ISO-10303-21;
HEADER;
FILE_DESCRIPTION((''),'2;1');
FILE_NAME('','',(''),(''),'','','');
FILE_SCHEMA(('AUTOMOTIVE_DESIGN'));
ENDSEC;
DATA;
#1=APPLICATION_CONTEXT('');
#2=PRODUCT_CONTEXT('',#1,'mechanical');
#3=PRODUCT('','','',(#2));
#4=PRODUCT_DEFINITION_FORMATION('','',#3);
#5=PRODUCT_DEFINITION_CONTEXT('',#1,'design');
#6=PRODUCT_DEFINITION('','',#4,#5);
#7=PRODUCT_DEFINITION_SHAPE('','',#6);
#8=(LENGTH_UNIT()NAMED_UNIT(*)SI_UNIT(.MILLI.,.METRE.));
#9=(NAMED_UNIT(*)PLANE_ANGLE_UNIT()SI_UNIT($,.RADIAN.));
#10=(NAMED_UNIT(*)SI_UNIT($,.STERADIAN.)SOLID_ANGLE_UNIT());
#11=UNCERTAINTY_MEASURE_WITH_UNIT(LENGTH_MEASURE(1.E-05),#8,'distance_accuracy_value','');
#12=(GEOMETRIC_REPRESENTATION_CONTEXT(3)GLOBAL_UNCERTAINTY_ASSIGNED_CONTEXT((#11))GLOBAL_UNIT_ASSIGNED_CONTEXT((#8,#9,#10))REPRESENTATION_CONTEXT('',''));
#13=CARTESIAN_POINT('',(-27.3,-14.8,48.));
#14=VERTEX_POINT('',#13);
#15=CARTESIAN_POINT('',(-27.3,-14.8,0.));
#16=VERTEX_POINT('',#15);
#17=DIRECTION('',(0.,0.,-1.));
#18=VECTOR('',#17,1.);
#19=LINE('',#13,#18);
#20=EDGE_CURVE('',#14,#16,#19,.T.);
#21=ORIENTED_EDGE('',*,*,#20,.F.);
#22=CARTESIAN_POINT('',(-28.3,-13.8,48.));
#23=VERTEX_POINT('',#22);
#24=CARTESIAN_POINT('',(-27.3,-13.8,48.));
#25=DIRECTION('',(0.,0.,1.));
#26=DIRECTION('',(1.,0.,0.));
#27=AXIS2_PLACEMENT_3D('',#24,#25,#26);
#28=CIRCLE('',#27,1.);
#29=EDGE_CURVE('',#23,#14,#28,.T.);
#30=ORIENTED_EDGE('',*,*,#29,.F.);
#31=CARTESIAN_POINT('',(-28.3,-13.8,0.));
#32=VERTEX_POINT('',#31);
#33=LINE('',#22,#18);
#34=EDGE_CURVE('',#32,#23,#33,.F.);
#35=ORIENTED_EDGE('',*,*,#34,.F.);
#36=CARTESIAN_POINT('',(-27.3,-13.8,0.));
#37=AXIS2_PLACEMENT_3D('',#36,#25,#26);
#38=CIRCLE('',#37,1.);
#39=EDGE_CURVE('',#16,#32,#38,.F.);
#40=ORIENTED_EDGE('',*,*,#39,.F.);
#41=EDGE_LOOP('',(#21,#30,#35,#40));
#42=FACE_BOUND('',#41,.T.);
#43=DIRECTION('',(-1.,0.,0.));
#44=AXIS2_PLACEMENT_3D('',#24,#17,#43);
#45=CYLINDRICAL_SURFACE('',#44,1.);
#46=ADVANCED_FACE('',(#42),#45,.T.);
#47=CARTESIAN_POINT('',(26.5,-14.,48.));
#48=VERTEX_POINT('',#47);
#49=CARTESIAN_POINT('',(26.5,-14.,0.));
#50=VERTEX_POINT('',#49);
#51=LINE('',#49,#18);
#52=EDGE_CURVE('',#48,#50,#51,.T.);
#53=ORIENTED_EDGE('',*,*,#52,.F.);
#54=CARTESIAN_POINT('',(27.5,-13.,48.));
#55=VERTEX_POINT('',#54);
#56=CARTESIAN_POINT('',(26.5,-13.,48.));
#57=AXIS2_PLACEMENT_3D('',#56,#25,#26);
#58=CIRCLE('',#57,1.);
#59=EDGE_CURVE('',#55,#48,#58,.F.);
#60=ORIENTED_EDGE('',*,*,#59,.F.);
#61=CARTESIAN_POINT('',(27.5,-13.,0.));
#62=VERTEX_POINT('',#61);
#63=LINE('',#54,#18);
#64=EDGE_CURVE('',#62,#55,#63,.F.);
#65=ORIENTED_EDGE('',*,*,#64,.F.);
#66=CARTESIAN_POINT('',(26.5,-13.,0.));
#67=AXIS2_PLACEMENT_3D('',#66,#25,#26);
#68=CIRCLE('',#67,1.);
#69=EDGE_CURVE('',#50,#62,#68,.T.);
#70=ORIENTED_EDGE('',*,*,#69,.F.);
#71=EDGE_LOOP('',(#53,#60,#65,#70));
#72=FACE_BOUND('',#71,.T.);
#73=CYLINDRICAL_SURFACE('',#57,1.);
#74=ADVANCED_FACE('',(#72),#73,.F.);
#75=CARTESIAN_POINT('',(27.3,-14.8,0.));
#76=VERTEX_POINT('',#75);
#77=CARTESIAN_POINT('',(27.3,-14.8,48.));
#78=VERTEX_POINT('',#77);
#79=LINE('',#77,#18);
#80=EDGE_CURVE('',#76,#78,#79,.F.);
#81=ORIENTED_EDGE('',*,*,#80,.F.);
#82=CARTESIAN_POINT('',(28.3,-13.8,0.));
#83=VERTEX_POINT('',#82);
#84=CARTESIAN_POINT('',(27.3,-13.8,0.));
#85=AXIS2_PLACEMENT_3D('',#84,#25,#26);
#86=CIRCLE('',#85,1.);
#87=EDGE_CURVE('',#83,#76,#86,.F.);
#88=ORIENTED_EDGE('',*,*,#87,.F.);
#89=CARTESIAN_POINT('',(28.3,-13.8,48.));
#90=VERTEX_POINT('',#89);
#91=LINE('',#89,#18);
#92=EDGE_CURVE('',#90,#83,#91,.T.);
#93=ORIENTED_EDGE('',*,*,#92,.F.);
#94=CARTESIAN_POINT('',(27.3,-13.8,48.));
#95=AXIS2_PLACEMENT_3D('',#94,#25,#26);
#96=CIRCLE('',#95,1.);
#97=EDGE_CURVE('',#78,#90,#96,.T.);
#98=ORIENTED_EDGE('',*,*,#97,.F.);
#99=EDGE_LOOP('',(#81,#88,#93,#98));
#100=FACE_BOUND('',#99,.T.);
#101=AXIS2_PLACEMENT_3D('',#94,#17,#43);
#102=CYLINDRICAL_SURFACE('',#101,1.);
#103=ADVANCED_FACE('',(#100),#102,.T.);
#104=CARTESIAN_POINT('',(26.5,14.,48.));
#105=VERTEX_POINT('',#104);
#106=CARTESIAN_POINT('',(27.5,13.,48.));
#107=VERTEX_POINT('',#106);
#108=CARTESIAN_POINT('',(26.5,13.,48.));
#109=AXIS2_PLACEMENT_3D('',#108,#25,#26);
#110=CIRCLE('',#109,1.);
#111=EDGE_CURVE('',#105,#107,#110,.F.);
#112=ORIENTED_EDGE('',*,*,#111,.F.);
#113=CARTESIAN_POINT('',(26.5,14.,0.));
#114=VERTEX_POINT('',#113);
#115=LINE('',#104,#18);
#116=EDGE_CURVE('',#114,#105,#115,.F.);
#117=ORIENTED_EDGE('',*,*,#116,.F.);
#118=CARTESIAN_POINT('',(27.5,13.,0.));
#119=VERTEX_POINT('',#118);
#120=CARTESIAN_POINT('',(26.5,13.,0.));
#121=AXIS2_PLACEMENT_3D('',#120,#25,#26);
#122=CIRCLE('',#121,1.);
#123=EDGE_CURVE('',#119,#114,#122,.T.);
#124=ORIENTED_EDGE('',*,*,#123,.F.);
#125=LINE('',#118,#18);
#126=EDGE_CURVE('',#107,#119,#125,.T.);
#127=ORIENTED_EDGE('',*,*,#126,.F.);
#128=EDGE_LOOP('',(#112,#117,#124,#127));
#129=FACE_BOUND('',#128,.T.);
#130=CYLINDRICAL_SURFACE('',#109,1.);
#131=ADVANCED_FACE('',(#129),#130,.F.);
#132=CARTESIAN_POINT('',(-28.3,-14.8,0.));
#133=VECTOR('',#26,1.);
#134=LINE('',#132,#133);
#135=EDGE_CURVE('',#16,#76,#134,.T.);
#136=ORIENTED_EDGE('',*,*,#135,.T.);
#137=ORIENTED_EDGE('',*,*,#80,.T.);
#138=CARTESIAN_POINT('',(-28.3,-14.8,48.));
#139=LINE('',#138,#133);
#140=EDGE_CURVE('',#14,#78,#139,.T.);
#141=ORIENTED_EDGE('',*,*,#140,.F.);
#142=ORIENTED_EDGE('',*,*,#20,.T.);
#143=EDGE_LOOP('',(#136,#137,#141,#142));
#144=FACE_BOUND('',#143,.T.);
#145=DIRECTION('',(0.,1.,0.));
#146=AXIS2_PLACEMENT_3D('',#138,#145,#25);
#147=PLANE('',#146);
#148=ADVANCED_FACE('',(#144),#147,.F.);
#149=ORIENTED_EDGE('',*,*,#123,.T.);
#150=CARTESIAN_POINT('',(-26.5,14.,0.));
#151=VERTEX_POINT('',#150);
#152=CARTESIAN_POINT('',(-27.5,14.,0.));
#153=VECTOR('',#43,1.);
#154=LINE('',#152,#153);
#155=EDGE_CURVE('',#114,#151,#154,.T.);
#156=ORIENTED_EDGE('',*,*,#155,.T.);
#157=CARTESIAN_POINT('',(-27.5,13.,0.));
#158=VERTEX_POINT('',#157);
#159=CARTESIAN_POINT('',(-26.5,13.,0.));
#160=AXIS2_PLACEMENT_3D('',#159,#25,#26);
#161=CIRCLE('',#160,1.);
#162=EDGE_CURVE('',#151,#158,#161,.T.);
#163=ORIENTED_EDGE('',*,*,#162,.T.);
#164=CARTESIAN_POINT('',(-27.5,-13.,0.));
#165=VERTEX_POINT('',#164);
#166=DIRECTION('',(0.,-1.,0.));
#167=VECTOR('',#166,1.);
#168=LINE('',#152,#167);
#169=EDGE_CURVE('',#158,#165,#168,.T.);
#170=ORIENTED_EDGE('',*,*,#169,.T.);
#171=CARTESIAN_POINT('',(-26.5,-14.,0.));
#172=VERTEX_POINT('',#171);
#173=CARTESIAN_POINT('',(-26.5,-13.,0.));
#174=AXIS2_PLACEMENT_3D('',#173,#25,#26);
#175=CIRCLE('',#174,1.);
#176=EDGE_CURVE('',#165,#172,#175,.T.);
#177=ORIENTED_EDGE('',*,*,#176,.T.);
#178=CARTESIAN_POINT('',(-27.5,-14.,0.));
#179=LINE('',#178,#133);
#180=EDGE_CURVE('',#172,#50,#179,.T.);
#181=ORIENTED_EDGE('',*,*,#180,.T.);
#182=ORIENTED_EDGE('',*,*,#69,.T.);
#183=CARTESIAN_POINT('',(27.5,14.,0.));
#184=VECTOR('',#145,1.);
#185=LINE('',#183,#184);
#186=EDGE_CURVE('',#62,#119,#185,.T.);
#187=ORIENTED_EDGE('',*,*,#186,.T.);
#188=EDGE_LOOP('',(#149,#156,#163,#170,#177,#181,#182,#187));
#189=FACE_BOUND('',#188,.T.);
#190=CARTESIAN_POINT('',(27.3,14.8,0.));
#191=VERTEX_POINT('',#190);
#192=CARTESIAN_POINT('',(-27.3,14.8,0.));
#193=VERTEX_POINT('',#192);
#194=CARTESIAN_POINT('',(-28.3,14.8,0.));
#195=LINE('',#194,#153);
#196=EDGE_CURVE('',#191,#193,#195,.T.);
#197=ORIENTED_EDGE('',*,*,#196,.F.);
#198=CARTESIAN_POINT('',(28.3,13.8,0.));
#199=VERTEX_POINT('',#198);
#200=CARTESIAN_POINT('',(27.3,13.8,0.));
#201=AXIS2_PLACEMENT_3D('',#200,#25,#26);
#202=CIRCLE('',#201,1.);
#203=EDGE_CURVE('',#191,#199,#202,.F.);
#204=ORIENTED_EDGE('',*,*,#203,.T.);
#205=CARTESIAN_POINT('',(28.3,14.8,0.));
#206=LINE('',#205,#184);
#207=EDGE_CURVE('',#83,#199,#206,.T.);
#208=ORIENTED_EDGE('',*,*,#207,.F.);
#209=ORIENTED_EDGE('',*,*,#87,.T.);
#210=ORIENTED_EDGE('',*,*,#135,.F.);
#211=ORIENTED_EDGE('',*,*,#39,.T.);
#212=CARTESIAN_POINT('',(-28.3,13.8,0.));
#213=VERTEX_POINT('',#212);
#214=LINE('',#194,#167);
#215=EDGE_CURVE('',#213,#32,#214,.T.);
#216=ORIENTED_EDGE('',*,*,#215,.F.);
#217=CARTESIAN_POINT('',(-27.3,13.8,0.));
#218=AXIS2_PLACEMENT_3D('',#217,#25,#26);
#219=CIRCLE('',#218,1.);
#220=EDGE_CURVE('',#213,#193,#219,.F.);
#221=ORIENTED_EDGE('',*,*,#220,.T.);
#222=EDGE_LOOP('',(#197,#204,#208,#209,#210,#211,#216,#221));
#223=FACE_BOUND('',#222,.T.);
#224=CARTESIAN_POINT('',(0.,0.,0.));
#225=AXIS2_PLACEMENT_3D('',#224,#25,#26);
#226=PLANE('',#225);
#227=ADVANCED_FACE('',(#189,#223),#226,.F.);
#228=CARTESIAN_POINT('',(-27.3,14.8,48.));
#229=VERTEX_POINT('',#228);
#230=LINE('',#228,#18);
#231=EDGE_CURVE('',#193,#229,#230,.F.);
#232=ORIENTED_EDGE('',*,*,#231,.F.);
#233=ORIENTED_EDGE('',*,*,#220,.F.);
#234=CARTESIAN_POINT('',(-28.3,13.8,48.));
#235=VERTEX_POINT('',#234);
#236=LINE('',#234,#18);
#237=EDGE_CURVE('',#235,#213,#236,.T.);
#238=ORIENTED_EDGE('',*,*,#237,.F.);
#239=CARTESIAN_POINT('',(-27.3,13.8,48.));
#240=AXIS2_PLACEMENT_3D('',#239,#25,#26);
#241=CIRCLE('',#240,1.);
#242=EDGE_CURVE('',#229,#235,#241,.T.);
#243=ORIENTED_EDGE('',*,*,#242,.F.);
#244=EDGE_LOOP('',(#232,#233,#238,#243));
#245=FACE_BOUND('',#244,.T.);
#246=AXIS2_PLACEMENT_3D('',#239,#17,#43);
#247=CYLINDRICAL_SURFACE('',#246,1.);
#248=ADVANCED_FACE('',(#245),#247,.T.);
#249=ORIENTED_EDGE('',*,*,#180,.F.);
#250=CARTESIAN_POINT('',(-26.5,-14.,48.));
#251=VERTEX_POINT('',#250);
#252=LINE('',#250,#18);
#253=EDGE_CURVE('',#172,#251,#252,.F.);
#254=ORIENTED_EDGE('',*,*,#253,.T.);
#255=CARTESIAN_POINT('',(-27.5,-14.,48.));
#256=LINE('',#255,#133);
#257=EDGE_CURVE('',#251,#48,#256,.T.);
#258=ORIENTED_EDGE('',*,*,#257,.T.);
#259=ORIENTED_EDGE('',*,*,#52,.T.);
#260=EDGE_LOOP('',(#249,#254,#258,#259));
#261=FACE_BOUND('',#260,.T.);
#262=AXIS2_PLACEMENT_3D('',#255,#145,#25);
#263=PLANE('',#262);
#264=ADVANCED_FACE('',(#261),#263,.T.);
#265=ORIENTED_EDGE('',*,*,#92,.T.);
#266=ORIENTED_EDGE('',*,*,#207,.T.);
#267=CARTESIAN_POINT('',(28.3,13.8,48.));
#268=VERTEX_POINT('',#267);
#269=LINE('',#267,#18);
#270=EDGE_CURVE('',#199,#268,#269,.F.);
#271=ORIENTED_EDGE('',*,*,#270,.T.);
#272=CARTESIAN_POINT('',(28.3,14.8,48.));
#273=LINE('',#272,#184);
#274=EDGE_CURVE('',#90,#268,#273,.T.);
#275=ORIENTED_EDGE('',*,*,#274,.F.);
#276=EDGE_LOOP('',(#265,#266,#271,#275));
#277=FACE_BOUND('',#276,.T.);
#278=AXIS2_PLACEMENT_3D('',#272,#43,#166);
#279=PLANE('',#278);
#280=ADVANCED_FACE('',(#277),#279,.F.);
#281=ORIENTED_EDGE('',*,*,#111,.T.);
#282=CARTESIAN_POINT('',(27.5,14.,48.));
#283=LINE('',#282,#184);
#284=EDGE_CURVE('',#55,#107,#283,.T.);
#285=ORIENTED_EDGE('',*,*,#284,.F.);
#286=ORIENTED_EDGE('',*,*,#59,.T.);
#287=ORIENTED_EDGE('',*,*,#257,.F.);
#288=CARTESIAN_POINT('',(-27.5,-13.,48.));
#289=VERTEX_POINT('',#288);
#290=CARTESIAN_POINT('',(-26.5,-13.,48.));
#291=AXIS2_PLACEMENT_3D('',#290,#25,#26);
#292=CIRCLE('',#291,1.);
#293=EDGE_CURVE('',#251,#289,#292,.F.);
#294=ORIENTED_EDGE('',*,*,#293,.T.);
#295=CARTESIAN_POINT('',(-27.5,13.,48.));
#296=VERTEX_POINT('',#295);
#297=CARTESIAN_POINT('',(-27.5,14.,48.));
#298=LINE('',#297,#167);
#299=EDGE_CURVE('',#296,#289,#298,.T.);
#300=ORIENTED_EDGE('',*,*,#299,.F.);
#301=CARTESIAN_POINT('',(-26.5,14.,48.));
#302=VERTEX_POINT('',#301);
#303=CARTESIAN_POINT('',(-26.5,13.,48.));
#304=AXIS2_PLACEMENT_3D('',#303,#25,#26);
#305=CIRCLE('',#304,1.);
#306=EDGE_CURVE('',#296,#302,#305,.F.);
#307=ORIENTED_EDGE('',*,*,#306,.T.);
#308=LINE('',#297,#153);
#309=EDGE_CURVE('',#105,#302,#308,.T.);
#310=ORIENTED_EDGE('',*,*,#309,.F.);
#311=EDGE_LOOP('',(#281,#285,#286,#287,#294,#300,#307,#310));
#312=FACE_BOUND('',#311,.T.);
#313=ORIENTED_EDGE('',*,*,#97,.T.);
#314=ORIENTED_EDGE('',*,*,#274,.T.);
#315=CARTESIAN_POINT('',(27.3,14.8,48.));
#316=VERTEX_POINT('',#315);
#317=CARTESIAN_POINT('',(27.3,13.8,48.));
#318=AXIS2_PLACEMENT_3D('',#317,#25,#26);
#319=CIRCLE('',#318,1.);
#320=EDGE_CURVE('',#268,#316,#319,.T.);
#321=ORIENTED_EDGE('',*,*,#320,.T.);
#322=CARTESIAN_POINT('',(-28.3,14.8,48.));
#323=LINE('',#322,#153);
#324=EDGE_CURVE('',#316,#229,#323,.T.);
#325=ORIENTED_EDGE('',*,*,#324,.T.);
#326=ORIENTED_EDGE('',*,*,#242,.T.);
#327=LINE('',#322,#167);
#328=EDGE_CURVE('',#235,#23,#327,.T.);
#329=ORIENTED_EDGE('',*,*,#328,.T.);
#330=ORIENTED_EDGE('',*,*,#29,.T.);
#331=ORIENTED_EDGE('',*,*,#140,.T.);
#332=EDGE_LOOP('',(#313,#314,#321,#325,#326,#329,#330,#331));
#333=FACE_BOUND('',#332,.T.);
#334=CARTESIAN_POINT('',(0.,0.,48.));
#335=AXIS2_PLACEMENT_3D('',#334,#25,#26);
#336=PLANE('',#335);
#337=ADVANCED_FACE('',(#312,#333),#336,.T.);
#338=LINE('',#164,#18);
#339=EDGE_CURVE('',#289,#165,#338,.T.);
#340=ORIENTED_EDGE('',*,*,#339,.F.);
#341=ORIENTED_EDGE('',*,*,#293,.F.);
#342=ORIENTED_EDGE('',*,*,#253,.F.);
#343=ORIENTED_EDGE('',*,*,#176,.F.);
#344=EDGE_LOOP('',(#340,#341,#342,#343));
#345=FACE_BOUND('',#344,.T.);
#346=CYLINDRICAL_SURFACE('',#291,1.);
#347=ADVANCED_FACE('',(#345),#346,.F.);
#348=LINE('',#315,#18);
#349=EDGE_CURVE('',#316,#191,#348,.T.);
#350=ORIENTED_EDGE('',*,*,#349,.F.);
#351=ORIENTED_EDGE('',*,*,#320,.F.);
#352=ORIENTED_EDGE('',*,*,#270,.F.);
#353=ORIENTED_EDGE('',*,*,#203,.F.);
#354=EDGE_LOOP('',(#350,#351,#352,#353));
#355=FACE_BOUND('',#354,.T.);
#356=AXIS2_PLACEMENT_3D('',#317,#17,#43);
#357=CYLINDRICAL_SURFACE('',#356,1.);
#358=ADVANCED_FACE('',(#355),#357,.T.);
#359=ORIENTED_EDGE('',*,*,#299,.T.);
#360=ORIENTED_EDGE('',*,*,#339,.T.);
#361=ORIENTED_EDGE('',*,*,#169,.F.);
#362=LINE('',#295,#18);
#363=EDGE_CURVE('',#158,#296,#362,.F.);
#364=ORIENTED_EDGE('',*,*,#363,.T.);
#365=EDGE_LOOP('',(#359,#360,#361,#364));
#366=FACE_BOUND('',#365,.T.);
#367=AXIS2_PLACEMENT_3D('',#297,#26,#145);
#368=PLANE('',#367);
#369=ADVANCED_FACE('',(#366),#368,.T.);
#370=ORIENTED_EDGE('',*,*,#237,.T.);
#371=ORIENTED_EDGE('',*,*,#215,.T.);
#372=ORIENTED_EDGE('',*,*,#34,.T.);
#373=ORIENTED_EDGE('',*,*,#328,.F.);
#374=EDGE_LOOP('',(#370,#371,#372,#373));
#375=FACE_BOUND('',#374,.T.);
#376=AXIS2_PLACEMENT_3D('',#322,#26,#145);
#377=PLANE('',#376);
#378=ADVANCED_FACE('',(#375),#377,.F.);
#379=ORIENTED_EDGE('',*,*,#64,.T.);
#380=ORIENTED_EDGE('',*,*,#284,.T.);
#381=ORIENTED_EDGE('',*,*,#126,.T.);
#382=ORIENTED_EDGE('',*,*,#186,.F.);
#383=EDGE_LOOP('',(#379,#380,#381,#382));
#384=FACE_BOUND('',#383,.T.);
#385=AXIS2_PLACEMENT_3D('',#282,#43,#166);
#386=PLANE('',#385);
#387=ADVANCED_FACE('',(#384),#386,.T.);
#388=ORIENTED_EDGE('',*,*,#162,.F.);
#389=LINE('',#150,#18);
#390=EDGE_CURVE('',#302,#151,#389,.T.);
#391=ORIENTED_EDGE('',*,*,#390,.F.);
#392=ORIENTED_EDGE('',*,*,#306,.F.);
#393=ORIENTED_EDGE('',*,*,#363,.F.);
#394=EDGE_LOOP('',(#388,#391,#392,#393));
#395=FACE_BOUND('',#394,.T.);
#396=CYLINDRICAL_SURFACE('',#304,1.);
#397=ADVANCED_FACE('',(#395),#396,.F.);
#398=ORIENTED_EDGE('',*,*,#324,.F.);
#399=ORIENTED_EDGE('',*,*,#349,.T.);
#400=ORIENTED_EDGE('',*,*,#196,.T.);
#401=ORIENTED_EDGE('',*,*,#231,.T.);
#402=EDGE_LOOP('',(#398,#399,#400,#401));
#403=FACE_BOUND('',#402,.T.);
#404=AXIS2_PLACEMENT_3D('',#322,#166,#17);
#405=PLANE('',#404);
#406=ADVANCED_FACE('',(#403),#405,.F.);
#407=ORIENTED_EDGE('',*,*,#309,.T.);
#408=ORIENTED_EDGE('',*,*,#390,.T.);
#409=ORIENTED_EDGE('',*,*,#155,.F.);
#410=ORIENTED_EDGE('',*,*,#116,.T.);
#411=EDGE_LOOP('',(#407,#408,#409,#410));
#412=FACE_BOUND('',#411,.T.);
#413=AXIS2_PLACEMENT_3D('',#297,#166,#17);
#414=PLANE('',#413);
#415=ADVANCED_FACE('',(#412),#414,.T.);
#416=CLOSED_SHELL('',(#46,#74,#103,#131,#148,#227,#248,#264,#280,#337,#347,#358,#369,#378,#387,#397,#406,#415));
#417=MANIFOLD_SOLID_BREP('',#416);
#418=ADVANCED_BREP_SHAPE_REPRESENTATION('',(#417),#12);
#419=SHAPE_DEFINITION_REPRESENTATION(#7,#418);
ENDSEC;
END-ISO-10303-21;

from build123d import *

# Parameters (mm, degrees)
ESQUISSE1_W        = 56.6
ESQUISSE1_H        = 29.6
ESQUISSE1_W_2      = 55
ESQUISSE1_H_2      = 28
BOSS_EXTRU_1_DEPTH = 48
CONG_1_R           = 1


with BuildPart() as part:
    # Esquisse1 → Boss.-Extru.1 (new body)
    with BuildSketch(Plane.XY):
        Rectangle(ESQUISSE1_W, ESQUISSE1_H)
        Rectangle(ESQUISSE1_W_2, ESQUISSE1_H_2, mode=Mode.SUBTRACT)
    extrude(amount=BOSS_EXTRU_1_DEPTH)

    # Congé1
    cong_1_edges = [part.edges().sort_by_distance(p)[0] for p in [
        (27.5, -14, 24),
        (27.5, 14, 24),
        (-27.5, 14, 24),
        (-27.5, -14, 24),
        (-28.3, 14.8, 24),
        (28.3, 14.8, 24),
        (28.3, -14.8, 24),
        (-28.3, -14.8, 24),
    ]]
    fillet(cong_1_edges, radius=CONG_1_R)


solid = part.part
